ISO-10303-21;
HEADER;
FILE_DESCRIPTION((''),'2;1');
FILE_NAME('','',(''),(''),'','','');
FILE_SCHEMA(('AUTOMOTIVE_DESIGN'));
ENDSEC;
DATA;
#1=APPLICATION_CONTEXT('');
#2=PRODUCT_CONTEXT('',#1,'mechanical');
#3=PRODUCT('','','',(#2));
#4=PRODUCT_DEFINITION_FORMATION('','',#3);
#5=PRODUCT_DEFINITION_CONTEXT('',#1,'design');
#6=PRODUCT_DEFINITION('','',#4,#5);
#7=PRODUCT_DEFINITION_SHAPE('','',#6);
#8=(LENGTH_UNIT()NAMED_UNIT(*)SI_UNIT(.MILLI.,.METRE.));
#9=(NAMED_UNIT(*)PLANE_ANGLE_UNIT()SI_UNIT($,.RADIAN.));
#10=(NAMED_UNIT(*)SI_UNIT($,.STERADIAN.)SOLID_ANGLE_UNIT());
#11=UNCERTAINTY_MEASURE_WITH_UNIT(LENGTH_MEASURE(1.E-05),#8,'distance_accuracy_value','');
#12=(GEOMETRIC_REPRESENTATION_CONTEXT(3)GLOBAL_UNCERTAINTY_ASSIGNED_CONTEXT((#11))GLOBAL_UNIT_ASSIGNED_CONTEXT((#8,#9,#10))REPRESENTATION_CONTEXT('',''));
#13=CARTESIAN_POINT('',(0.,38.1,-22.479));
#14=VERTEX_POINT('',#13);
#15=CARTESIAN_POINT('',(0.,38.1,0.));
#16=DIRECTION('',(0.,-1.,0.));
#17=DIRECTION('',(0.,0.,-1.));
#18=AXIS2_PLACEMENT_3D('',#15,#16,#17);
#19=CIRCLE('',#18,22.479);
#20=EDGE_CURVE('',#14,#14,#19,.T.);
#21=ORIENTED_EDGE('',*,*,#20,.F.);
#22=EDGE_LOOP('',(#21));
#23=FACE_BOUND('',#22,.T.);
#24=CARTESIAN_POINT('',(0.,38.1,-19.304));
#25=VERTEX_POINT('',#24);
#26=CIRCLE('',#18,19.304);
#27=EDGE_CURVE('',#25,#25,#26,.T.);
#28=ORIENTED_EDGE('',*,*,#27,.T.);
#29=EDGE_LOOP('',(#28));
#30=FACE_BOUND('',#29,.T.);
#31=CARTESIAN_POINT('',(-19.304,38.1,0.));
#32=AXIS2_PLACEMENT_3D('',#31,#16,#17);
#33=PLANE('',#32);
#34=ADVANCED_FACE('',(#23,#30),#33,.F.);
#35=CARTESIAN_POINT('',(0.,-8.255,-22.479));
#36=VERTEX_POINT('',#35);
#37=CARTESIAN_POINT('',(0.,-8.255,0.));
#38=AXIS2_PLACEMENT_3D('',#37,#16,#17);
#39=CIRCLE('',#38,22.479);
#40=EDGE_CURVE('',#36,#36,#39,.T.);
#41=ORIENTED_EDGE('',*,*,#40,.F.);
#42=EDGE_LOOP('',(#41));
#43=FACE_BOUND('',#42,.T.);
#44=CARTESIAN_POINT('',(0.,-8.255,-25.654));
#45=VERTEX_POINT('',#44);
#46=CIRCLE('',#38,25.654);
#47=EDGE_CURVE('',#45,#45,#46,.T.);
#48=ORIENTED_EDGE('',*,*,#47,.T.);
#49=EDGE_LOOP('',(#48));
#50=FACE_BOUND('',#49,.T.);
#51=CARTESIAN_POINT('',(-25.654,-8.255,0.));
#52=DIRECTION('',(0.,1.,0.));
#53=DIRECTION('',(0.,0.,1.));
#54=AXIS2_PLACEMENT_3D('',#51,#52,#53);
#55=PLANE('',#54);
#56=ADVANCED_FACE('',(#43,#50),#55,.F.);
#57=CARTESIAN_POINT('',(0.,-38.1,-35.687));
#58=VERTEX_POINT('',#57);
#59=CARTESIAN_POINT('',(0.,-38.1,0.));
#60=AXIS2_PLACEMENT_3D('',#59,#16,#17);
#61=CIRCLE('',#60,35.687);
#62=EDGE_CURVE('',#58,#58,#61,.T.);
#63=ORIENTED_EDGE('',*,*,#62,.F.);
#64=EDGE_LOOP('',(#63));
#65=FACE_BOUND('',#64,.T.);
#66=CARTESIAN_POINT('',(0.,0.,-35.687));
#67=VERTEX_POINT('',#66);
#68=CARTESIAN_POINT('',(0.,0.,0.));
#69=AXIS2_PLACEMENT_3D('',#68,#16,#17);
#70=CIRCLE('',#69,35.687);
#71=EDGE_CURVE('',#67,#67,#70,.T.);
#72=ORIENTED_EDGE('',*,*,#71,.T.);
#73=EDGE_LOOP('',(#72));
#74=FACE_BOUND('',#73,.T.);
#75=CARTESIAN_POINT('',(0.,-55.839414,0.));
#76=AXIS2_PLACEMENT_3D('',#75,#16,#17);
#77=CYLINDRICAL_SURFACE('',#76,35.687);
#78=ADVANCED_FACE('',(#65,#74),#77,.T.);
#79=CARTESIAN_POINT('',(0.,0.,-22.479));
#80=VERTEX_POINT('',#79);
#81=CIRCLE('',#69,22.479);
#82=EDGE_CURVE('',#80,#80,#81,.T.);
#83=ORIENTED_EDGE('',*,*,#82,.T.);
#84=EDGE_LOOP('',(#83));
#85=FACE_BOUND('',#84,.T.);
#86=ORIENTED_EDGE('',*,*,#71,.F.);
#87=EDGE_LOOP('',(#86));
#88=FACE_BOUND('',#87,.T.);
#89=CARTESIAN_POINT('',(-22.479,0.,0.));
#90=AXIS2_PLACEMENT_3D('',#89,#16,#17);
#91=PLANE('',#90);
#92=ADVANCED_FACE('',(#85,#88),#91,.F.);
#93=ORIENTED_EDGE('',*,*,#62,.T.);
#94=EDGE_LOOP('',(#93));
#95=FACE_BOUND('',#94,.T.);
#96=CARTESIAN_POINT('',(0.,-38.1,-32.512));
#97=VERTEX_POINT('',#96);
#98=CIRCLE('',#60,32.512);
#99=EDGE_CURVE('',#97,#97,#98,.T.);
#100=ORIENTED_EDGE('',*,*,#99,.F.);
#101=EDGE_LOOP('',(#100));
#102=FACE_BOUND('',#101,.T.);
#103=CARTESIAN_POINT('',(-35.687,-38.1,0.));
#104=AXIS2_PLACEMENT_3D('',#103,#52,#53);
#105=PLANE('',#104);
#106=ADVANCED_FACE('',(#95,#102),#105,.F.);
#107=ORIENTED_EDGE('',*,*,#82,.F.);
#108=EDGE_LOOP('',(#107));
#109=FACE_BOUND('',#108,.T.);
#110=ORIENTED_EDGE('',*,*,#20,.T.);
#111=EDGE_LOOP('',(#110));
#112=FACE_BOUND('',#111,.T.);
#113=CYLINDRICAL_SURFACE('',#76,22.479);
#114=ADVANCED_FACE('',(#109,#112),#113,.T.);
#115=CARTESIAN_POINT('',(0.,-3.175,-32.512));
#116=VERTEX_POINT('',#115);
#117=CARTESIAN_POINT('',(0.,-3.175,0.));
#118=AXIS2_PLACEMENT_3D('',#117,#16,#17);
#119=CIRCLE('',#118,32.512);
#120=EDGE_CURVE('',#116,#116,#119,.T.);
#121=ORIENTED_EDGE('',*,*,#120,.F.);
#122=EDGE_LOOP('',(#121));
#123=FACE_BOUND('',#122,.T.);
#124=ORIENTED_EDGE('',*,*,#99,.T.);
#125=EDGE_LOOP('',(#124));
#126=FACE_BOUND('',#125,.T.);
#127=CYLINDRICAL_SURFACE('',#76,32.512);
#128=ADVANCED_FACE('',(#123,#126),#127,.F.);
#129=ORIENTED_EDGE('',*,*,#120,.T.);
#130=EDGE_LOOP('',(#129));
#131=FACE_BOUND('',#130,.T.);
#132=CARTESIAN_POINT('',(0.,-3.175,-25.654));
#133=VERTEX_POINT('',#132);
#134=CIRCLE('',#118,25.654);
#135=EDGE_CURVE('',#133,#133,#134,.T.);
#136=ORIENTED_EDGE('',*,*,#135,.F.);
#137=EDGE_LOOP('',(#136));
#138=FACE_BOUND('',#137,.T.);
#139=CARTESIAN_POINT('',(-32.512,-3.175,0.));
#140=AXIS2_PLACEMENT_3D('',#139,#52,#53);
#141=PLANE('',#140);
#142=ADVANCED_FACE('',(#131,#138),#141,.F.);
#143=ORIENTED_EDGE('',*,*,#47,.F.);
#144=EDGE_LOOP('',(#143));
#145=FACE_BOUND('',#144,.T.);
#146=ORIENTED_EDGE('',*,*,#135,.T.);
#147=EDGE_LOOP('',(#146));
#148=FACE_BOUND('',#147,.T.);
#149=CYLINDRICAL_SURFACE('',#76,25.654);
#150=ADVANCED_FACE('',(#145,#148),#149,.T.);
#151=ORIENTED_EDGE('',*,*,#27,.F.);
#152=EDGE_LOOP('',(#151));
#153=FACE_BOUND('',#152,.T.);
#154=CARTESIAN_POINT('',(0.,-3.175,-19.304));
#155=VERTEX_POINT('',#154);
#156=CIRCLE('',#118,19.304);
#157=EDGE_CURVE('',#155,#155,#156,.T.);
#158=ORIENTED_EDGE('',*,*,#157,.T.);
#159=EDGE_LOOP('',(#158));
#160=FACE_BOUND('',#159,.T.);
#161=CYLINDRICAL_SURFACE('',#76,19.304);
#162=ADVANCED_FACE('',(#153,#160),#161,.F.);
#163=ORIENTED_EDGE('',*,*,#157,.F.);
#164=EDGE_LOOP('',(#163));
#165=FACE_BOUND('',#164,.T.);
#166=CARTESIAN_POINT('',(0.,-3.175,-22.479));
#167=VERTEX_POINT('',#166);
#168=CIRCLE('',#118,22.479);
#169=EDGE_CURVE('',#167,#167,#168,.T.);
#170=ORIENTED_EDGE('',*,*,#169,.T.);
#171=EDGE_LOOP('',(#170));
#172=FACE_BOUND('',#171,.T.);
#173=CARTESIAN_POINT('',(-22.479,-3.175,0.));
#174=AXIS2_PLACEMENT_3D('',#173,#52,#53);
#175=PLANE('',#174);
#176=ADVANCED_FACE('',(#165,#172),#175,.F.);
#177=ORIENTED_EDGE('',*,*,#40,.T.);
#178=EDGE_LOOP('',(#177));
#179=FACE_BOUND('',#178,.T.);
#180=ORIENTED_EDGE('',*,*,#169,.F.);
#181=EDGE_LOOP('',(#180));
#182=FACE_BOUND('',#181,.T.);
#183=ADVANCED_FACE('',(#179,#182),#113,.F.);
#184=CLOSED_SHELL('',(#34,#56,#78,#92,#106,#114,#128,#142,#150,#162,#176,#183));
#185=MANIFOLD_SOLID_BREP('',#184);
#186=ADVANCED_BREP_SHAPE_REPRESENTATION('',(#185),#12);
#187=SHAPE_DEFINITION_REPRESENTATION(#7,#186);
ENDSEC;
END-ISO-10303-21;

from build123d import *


with BuildPart() as part:
    # Sketch1 → Revolve1 (revolve)
    with BuildSketch(Plane.XY, mode=Mode.PRIVATE) as revolve1_sk:
        Polygon((-22.479, 38.1), (-22.479, 0), (-35.687, 0), (-35.687, -38.1), (-32.512, -38.1), (-32.512, -3.175), (-25.654, -3.175), (-25.654, -8.255), (-22.479, -8.255), (-22.479, -3.175), (-19.304, -3.175), (-19.304, 38.1), align=None)
    revolve(revolve1_sk.sketch.rotate(Axis((0, -55.839414215, 0), (0, 1, 0)), 270), axis=Axis((0, -55.839414215, 0), (0, 1, 0)))


solid = part.part
